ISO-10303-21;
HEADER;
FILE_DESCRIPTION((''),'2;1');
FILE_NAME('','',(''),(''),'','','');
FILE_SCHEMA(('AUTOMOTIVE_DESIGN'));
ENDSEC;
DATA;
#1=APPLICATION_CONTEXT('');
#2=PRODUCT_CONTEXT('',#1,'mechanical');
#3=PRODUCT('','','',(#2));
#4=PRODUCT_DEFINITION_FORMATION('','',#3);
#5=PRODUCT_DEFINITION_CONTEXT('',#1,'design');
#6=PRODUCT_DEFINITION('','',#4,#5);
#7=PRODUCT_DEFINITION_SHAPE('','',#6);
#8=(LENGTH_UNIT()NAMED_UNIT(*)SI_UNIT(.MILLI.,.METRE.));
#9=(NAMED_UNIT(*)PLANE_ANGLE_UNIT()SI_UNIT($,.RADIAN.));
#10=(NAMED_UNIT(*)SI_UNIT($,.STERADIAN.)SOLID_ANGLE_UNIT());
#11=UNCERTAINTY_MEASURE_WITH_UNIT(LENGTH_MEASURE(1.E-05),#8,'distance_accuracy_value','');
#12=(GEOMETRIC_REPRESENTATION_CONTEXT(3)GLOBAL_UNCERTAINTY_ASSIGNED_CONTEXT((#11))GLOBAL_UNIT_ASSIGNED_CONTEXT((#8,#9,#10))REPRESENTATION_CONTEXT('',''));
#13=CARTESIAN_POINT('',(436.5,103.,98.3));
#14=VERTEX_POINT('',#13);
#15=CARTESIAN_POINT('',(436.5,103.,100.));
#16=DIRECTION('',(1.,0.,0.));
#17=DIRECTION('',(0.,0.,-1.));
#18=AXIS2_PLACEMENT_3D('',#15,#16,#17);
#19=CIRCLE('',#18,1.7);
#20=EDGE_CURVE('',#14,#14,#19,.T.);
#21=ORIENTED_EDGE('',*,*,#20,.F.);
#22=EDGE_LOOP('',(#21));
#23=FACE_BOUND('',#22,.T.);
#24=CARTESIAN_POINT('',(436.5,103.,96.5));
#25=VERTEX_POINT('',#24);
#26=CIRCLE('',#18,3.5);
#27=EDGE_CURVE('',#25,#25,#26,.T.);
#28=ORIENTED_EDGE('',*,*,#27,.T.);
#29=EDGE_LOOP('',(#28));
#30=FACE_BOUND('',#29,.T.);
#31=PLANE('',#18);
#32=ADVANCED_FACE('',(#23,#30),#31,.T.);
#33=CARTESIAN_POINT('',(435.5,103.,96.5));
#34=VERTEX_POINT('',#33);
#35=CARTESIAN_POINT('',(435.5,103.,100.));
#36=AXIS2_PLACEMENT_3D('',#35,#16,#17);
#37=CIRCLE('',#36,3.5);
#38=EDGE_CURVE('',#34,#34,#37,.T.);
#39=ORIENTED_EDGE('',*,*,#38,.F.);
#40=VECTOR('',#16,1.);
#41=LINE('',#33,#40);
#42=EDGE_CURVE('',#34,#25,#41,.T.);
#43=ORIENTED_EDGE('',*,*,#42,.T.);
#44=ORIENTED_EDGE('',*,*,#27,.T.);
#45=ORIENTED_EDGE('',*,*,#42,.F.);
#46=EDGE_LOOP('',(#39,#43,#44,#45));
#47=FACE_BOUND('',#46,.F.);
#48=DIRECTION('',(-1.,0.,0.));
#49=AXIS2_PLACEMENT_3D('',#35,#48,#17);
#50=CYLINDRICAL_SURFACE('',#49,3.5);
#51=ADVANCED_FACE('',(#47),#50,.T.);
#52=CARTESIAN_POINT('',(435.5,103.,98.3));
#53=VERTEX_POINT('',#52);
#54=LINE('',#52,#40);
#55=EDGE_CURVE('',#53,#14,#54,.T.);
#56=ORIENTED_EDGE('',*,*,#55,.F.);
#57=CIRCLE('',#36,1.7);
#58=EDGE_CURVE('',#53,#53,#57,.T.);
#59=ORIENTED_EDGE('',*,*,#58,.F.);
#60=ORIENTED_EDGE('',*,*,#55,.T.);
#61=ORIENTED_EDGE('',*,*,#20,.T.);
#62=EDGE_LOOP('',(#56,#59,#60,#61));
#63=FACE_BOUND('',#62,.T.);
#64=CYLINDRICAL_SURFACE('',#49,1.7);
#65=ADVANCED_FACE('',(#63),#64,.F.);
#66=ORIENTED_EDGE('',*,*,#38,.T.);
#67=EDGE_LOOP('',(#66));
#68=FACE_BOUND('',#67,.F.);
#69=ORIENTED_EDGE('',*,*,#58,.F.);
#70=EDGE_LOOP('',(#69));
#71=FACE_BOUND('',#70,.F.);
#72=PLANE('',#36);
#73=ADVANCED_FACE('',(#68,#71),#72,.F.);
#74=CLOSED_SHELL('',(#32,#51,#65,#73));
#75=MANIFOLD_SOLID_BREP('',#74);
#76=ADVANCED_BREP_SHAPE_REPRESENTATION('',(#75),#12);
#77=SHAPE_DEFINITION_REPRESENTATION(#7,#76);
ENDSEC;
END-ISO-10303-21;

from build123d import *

# Parameters (mm, degrees)
CYLINDER1388_R     = 1.7
CYLINDER1388_DEPTH = 1
CYLINDER1386_R     = 3.5
CYLINDER1386_DEPTH = 1


with BuildPart() as cylinder1388:
    # Cylinder1388 → Cylinder1388 (new body)
    with BuildSketch(Plane(origin=(436, 103, 100), x_dir=(0, 0, -1), z_dir=(1, 0, 0))):
        Circle(CYLINDER1388_R)
    extrude(amount=CYLINDER1388_DEPTH)


with BuildPart() as bucket_left_half_short_spacer:
    # Cylinder1386 → Cylinder1386 (new body)
    with BuildSketch(Plane(origin=(436, 103, 100), x_dir=(0, 0, -1), z_dir=(1, 0, 0))):
        Circle(CYLINDER1386_R)
    extrude(amount=CYLINDER1386_DEPTH)

    # Cut014355: cut Cylinder1388
    add(cylinder1388.part, mode=Mode.SUBTRACT)


with BuildPart() as bucket_left_half_short_spacer_1:
    # Cut014355 placement: moved
    add(bucket_left_half_short_spacer.part.moved(Location((-0.5, 0, 0))))


solid = bucket_left_half_short_spacer_1.part
